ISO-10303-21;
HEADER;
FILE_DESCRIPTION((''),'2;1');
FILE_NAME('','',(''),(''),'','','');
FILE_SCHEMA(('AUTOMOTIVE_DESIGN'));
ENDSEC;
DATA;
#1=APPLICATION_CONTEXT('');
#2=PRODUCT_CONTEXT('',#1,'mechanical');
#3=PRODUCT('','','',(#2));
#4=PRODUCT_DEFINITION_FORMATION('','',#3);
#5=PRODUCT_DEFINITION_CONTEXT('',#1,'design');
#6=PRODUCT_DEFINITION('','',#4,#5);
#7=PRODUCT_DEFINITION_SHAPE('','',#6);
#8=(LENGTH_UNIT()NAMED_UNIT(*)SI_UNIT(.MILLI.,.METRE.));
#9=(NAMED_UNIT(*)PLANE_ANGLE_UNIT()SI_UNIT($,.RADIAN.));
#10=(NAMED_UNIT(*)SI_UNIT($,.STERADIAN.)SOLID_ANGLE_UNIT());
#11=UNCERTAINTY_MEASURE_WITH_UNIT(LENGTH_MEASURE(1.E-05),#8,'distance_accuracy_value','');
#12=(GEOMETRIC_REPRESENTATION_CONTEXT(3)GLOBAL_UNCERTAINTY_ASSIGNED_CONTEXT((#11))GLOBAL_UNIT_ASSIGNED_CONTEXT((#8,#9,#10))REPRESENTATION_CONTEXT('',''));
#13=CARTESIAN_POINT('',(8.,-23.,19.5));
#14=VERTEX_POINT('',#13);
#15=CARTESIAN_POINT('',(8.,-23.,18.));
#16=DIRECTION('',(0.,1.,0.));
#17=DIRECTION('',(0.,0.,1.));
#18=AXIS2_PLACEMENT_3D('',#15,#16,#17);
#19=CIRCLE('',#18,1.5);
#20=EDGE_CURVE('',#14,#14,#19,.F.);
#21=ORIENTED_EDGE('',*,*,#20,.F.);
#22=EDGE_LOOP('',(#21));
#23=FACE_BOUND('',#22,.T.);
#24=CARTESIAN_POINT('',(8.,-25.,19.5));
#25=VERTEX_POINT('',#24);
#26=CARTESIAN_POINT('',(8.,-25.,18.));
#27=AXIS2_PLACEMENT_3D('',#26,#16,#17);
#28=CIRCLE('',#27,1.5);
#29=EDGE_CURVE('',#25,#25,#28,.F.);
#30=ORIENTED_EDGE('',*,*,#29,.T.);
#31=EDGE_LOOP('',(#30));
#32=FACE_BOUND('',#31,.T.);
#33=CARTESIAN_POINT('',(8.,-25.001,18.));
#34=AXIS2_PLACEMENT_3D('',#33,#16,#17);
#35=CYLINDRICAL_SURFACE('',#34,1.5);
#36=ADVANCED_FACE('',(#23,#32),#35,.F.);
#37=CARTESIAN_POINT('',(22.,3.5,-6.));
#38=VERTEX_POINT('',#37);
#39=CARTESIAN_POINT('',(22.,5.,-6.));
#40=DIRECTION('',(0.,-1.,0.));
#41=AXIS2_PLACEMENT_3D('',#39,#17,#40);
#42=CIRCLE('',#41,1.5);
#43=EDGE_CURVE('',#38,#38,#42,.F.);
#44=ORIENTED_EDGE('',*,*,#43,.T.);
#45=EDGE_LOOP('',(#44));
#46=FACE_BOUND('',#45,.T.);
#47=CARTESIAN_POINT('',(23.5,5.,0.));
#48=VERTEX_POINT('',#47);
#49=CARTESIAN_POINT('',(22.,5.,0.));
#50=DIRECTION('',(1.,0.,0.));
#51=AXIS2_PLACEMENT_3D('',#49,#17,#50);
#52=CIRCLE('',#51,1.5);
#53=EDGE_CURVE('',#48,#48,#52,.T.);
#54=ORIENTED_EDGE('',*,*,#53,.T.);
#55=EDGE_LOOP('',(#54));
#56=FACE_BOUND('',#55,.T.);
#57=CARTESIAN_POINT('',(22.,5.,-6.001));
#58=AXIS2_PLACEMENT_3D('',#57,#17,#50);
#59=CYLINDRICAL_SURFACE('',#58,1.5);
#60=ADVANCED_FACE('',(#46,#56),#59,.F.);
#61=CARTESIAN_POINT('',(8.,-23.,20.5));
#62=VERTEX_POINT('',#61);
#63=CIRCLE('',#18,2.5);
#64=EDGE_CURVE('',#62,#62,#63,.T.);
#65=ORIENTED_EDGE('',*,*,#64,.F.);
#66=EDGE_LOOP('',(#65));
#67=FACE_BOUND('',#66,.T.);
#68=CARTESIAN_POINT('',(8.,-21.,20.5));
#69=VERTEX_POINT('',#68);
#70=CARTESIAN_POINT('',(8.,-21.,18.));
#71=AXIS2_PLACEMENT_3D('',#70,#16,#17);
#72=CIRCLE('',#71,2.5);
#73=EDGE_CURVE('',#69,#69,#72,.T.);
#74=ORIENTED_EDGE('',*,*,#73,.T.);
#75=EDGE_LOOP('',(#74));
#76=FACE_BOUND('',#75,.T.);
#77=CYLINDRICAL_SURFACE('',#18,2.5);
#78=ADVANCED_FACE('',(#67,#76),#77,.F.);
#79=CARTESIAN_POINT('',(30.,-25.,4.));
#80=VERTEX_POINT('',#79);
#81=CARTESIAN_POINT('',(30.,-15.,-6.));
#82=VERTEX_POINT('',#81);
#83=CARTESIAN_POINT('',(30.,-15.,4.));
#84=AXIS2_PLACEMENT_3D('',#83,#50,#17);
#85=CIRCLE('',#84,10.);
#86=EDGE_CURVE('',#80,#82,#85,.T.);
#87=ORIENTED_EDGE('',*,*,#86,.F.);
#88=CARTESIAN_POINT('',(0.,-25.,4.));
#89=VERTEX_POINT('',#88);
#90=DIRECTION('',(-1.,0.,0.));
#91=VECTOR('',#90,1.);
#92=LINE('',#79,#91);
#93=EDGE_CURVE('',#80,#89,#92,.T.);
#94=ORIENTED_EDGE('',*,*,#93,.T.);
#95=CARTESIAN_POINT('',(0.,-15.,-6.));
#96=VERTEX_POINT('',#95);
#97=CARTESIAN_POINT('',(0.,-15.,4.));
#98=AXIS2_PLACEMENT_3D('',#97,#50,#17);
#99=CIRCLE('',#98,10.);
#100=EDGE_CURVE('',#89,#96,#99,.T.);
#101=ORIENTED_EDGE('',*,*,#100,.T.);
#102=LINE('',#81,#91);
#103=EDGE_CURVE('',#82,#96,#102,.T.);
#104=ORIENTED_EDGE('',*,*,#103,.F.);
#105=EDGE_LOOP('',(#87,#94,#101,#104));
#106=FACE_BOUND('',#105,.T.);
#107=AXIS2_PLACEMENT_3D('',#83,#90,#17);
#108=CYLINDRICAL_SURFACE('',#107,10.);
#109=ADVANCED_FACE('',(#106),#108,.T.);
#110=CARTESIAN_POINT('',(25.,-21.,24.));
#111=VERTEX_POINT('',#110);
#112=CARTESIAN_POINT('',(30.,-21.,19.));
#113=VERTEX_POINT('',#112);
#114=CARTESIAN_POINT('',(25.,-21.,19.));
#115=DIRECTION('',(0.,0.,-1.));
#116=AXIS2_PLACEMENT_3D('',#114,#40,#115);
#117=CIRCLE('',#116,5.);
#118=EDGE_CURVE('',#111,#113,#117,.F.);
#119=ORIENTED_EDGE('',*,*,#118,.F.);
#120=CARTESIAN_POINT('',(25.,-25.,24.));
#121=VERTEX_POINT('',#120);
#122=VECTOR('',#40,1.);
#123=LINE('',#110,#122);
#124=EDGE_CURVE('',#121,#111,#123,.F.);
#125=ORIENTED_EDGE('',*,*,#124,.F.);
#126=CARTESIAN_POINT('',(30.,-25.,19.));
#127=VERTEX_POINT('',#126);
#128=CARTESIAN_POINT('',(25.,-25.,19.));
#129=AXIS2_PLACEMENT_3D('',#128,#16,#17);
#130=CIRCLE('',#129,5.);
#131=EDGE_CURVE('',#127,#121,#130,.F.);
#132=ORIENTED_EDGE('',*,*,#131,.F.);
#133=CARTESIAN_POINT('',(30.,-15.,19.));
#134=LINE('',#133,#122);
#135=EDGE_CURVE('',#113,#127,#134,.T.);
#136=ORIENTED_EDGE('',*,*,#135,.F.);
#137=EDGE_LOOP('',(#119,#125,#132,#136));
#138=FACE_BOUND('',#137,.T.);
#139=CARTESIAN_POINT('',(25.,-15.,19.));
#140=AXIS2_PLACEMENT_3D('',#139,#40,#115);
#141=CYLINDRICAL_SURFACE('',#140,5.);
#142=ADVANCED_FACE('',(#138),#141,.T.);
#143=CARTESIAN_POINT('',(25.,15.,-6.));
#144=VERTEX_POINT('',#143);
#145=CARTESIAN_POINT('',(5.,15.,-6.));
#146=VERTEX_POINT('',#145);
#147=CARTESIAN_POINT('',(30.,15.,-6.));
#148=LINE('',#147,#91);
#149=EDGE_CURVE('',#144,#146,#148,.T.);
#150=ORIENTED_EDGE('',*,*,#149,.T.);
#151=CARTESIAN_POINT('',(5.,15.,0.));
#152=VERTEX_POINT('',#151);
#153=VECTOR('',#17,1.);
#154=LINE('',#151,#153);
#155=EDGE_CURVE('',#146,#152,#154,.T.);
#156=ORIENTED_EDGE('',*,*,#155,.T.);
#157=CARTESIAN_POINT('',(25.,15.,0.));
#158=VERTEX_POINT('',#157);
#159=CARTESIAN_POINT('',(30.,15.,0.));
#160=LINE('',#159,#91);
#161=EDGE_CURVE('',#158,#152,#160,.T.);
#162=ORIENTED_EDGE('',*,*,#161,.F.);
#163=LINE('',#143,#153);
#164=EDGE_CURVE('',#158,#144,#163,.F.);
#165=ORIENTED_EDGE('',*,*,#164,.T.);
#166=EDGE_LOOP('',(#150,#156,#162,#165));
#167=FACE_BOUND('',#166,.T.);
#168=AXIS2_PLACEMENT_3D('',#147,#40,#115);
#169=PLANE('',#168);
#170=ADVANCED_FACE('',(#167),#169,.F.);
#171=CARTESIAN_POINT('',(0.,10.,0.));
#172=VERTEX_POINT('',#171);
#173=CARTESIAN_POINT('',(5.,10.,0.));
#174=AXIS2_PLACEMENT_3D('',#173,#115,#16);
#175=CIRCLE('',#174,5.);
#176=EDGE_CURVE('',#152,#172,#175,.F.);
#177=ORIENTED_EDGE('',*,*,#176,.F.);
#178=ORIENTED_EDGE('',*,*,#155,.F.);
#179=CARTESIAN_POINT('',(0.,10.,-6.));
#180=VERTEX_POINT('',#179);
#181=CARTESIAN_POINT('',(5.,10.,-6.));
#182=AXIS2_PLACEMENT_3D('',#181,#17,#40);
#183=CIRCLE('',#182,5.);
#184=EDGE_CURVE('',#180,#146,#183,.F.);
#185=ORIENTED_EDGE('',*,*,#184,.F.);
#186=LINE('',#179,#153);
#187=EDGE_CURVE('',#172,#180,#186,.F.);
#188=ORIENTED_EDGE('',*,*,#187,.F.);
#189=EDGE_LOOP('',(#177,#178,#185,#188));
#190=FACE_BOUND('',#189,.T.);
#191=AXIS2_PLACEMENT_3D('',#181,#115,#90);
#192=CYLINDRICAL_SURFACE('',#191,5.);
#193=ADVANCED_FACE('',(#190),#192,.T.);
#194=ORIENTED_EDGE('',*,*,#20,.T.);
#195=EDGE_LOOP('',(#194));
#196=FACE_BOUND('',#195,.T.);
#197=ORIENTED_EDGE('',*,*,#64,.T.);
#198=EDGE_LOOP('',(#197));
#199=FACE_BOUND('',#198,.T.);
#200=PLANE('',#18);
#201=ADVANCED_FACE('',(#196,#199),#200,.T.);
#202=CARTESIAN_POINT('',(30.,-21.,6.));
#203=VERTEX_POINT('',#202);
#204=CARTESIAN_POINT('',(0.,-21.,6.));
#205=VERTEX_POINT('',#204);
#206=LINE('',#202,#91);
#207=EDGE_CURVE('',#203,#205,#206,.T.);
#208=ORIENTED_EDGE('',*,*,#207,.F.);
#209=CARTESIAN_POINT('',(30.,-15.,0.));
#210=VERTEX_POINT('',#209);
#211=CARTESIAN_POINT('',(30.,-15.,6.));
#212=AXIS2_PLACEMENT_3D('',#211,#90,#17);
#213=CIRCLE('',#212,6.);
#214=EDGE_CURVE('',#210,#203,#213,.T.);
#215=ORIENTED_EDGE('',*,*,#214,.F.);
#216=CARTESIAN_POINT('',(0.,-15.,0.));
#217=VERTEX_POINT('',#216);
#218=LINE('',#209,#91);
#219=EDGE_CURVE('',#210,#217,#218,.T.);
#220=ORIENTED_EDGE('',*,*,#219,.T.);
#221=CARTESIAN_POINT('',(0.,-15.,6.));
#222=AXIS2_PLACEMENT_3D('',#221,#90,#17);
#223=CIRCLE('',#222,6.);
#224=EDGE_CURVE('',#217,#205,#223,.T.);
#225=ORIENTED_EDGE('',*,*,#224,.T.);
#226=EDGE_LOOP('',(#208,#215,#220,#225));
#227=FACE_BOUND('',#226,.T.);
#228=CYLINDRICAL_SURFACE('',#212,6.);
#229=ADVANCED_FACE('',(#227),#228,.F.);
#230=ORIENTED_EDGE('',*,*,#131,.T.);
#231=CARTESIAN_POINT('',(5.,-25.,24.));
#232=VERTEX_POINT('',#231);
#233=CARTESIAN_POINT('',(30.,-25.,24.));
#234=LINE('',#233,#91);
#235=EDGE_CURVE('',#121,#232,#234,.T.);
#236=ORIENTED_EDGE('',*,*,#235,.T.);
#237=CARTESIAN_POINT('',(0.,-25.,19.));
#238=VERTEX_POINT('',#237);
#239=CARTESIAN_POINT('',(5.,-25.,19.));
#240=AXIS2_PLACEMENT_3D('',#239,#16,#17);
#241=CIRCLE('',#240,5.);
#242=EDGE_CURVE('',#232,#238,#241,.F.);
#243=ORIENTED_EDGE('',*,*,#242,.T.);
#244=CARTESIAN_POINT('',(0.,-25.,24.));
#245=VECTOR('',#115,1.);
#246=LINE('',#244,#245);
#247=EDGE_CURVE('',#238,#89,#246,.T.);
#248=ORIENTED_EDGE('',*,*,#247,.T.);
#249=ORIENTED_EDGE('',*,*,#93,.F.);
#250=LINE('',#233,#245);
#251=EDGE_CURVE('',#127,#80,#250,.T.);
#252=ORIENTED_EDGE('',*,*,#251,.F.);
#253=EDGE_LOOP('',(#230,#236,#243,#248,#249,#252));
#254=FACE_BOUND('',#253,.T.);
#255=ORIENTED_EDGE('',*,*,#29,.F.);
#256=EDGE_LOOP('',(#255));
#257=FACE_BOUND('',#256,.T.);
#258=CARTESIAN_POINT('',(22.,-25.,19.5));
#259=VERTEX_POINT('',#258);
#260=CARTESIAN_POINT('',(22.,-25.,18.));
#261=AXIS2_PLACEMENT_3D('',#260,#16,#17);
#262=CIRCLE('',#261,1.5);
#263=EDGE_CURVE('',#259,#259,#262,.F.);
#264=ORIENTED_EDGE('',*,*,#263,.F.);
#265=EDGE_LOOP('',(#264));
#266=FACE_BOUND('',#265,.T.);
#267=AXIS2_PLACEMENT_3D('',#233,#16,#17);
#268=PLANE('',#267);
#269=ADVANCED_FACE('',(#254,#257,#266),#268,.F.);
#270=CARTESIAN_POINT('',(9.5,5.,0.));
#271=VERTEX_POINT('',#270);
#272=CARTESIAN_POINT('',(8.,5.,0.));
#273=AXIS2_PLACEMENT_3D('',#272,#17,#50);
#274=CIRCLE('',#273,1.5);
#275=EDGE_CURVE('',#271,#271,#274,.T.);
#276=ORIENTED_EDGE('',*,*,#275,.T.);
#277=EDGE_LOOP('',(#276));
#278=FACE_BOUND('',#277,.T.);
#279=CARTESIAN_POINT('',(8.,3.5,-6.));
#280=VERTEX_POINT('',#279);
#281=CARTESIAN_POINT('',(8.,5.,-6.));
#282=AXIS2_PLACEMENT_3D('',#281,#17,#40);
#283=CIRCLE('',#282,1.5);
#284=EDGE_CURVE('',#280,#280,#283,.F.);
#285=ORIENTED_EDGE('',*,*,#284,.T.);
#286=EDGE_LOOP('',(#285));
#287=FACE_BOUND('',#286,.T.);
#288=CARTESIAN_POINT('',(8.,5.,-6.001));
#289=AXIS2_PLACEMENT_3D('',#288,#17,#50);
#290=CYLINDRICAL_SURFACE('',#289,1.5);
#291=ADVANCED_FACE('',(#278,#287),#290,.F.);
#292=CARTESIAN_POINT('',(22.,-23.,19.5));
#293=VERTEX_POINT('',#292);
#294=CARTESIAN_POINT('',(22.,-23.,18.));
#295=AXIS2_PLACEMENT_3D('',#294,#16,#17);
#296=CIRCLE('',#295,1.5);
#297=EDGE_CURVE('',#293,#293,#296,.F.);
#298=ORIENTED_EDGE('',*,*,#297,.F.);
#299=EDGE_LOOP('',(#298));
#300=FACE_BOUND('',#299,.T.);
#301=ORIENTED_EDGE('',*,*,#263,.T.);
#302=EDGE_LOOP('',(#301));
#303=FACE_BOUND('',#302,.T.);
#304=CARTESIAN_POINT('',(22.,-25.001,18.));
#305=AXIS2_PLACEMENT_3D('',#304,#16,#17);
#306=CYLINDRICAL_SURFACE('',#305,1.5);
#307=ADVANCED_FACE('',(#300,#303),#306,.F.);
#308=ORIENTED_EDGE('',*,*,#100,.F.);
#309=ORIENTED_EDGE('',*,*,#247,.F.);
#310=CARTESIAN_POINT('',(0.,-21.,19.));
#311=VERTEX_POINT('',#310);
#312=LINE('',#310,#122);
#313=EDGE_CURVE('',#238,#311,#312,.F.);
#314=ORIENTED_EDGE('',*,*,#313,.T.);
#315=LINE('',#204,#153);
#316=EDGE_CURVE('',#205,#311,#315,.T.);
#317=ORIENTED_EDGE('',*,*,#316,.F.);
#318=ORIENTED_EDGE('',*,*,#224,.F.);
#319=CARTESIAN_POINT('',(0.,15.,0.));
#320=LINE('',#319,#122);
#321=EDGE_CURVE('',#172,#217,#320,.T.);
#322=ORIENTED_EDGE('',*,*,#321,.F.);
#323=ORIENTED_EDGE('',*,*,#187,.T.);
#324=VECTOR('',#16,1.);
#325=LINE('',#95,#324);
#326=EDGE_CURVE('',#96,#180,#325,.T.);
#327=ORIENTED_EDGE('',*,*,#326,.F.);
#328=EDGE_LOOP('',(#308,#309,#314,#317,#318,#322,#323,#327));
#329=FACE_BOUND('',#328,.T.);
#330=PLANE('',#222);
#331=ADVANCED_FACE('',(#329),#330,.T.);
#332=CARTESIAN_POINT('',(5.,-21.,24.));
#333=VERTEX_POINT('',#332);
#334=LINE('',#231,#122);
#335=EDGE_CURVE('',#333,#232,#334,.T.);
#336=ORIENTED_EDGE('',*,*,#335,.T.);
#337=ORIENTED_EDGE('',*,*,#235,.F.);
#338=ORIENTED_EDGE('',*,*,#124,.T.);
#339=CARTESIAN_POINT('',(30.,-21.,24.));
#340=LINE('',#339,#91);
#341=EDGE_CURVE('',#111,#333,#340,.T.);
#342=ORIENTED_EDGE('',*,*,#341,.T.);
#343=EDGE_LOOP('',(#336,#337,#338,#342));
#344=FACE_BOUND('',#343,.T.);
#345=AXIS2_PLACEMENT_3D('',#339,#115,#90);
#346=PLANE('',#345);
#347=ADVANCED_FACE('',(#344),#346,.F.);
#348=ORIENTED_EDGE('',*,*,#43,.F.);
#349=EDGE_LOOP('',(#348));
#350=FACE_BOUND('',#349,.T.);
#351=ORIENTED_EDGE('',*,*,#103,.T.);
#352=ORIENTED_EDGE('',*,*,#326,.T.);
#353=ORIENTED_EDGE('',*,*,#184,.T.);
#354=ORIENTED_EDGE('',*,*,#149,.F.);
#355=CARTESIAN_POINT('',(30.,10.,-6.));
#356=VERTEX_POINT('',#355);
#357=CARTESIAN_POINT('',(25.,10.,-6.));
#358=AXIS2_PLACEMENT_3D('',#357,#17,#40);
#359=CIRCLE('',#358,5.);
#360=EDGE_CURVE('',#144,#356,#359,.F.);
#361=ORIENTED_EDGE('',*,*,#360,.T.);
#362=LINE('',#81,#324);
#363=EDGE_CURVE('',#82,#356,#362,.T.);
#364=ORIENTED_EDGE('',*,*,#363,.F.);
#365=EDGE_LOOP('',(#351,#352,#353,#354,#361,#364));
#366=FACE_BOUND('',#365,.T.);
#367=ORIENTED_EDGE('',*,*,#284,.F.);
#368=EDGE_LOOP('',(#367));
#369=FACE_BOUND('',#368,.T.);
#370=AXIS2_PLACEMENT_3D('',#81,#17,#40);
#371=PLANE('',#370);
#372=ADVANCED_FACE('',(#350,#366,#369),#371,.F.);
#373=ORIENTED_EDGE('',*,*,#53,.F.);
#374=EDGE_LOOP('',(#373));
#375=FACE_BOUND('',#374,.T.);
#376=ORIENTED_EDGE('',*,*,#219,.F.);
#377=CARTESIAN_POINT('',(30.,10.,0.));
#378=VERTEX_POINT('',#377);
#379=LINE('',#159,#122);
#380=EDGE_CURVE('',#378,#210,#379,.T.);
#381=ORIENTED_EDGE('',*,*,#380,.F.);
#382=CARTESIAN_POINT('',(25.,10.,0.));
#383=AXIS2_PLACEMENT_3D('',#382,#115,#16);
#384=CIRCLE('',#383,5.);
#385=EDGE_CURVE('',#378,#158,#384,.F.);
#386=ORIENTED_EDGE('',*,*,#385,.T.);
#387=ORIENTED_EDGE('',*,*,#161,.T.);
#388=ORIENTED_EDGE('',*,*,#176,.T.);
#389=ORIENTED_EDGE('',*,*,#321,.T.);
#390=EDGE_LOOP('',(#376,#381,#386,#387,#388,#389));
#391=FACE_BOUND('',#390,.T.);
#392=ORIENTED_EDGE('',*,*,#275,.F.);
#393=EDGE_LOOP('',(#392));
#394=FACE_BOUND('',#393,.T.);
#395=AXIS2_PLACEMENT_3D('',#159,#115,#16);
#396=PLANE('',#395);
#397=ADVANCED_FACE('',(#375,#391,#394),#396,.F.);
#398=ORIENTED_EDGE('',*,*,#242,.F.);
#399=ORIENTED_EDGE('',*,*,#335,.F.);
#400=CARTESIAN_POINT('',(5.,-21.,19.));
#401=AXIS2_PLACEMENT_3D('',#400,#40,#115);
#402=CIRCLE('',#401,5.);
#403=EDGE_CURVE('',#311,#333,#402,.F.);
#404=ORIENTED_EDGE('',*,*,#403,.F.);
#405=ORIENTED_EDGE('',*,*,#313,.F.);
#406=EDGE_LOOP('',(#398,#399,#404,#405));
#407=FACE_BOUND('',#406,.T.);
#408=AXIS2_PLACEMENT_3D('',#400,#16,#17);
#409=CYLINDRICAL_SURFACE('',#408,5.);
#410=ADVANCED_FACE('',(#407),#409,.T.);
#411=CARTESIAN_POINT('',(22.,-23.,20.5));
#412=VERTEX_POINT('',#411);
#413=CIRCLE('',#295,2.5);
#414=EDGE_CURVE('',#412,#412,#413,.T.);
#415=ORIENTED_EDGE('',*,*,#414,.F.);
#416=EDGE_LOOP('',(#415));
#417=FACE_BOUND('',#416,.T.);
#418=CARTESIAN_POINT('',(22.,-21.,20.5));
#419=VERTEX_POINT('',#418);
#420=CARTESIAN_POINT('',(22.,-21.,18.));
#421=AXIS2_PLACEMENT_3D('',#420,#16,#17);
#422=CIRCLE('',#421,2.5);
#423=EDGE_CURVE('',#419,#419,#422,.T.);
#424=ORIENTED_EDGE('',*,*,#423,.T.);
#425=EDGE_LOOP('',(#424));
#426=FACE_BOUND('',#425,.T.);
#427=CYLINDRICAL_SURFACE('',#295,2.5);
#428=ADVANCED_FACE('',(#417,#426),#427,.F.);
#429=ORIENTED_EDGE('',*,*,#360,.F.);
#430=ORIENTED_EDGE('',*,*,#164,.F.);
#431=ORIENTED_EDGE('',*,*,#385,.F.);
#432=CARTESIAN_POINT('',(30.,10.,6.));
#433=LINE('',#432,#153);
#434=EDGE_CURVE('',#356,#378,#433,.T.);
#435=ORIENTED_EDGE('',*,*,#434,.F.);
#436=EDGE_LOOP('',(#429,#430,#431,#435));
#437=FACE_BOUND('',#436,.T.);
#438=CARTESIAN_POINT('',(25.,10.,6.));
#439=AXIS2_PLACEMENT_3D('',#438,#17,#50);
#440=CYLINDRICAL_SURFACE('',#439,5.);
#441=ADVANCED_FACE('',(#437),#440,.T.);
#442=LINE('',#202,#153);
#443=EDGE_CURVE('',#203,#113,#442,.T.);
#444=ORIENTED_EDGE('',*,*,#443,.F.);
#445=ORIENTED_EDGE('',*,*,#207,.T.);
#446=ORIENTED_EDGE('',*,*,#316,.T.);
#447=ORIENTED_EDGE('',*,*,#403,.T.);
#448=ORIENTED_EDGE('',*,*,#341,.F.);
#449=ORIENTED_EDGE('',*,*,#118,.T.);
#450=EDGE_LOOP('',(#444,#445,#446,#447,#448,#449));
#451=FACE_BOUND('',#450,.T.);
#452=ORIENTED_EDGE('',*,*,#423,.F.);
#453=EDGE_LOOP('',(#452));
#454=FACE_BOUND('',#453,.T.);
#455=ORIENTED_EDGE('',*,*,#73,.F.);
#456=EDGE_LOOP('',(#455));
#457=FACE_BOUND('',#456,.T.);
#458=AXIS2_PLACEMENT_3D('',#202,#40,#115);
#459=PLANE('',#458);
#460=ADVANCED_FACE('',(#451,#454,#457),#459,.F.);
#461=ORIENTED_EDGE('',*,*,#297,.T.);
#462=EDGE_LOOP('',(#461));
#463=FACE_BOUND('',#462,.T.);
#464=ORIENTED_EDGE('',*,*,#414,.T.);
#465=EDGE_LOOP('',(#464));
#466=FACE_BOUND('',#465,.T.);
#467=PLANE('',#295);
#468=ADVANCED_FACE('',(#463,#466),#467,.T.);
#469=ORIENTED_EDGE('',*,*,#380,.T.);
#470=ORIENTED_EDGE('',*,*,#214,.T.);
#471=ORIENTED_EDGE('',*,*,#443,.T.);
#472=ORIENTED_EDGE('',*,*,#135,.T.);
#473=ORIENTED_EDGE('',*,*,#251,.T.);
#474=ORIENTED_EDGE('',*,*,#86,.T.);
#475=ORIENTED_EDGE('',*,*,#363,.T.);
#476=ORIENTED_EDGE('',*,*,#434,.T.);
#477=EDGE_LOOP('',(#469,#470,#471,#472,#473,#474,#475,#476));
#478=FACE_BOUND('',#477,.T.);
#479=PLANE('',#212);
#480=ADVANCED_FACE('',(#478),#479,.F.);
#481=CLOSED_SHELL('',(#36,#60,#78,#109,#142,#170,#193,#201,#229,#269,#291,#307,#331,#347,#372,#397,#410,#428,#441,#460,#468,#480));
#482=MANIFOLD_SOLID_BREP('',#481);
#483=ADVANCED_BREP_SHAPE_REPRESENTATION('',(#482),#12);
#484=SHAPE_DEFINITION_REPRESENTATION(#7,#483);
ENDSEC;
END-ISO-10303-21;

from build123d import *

# Parameters (mm, degrees)
BOSS_EXTRUDE2_DEPTH = 30
FILLET1_R           = 5
CUT_EXTRUDE1_REACH  = 54.65
SKETCH6_R           = 1.5
SKETCH6_3_R         = 2.5
CUT_EXTRUDE2_DEPTH  = 2
CUT_EXTRUDE3_REACH  = 47.837
SKETCH8_R           = 1.5


with BuildPart() as part:
    # Sketch3 → Boss-Extrude2 (new body)
    with BuildSketch(Plane(origin=(0, 0, 0), x_dir=(0, 0, -1), z_dir=(1, 0, 0))):
        with BuildLine():
            Line((0, 15), (0, -15))
            ThreePointArc((0, -15), (-1.757359313, -19.242640687), (-6, -21))
            Line((-6, -21), (-24, -21))
            Line((-24, -21), (-24, -25))
            Line((-24, -25), (-4, -25))
            ThreePointArc((-4, -25), (3.071067812, -22.071067812), (6, -15))
            Line((6, -15), (6, 15))
            Line((6, 15), (0, 15))
        make_face()
    extrude(amount=BOSS_EXTRUDE2_DEPTH)

    # Fillet1
    fillet1_edges = [part.edges().sort_by_distance(p)[0] for p in [
        (30, 15, -3),
        (0, 15, -3),
        (30, -23, 24),
        (0, -23, 24),
    ]]
    fillet(fillet1_edges, radius=FILLET1_R)

    # Sketch6 → Cut-Extrude1 (cut, up to next)
    with BuildSketch(Plane(origin=(0, -21, 0), x_dir=(1, 0, 0), z_dir=(0, 1, 0)), mode=Mode.PRIVATE) as cut_extrude1_sk1:
        with Locations((8, -18)):
            Circle(SKETCH6_R)
    cut_extrude1_tool1 = extrude(cut_extrude1_sk1.sketch, amount=-CUT_EXTRUDE1_REACH, mode=Mode.PRIVATE) & part.part
    # Sketch6 → Cut-Extrude1 (cut, up to next)
    with BuildSketch(Plane(origin=(0, -21, 0), x_dir=(1, 0, 0), z_dir=(0, 1, 0)), mode=Mode.PRIVATE) as cut_extrude1_sk2:
        with Locations((22, -18)):
            Circle(SKETCH6_R)
    cut_extrude1_tool2 = extrude(cut_extrude1_sk2.sketch, amount=-CUT_EXTRUDE1_REACH, mode=Mode.PRIVATE) & part.part
    add(cut_extrude1_tool1.solids().sort_by_distance((8, -21, 18))[0], mode=Mode.SUBTRACT)
    add(cut_extrude1_tool2.solids().sort_by_distance((22, -21, 18))[0], mode=Mode.SUBTRACT)

    # Sketch6_3 → Cut-Extrude2 (cut)
    with BuildSketch(Plane(origin=(0, -21, 0), x_dir=(1, 0, 0), z_dir=(0, 1, 0))):
        with Locations((8, -18)):
            Circle(SKETCH6_3_R)
        with Locations((22, -18)):
            Circle(SKETCH6_3_R)
    extrude(amount=-CUT_EXTRUDE2_DEPTH, mode=Mode.SUBTRACT)

    # Sketch8 → Cut-Extrude3 (cut, up to next)
    with BuildSketch(Plane.XY, mode=Mode.PRIVATE) as cut_extrude3_sk1:
        with Locations((8, 5)):
            Circle(SKETCH8_R)
    cut_extrude3_tool1 = extrude(cut_extrude3_sk1.sketch, amount=-CUT_EXTRUDE3_REACH, mode=Mode.PRIVATE) & part.part
    # Sketch8 → Cut-Extrude3 (cut, up to next)
    with BuildSketch(Plane.XY, mode=Mode.PRIVATE) as cut_extrude3_sk2:
        with Locations((22, 5)):
            Circle(SKETCH8_R)
    cut_extrude3_tool2 = extrude(cut_extrude3_sk2.sketch, amount=-CUT_EXTRUDE3_REACH, mode=Mode.PRIVATE) & part.part
    add(cut_extrude3_tool1.solids().sort_by_distance((8, 5, 0))[0], mode=Mode.SUBTRACT)
    add(cut_extrude3_tool2.solids().sort_by_distance((22, 5, 0))[0], mode=Mode.SUBTRACT)


solid = part.part
